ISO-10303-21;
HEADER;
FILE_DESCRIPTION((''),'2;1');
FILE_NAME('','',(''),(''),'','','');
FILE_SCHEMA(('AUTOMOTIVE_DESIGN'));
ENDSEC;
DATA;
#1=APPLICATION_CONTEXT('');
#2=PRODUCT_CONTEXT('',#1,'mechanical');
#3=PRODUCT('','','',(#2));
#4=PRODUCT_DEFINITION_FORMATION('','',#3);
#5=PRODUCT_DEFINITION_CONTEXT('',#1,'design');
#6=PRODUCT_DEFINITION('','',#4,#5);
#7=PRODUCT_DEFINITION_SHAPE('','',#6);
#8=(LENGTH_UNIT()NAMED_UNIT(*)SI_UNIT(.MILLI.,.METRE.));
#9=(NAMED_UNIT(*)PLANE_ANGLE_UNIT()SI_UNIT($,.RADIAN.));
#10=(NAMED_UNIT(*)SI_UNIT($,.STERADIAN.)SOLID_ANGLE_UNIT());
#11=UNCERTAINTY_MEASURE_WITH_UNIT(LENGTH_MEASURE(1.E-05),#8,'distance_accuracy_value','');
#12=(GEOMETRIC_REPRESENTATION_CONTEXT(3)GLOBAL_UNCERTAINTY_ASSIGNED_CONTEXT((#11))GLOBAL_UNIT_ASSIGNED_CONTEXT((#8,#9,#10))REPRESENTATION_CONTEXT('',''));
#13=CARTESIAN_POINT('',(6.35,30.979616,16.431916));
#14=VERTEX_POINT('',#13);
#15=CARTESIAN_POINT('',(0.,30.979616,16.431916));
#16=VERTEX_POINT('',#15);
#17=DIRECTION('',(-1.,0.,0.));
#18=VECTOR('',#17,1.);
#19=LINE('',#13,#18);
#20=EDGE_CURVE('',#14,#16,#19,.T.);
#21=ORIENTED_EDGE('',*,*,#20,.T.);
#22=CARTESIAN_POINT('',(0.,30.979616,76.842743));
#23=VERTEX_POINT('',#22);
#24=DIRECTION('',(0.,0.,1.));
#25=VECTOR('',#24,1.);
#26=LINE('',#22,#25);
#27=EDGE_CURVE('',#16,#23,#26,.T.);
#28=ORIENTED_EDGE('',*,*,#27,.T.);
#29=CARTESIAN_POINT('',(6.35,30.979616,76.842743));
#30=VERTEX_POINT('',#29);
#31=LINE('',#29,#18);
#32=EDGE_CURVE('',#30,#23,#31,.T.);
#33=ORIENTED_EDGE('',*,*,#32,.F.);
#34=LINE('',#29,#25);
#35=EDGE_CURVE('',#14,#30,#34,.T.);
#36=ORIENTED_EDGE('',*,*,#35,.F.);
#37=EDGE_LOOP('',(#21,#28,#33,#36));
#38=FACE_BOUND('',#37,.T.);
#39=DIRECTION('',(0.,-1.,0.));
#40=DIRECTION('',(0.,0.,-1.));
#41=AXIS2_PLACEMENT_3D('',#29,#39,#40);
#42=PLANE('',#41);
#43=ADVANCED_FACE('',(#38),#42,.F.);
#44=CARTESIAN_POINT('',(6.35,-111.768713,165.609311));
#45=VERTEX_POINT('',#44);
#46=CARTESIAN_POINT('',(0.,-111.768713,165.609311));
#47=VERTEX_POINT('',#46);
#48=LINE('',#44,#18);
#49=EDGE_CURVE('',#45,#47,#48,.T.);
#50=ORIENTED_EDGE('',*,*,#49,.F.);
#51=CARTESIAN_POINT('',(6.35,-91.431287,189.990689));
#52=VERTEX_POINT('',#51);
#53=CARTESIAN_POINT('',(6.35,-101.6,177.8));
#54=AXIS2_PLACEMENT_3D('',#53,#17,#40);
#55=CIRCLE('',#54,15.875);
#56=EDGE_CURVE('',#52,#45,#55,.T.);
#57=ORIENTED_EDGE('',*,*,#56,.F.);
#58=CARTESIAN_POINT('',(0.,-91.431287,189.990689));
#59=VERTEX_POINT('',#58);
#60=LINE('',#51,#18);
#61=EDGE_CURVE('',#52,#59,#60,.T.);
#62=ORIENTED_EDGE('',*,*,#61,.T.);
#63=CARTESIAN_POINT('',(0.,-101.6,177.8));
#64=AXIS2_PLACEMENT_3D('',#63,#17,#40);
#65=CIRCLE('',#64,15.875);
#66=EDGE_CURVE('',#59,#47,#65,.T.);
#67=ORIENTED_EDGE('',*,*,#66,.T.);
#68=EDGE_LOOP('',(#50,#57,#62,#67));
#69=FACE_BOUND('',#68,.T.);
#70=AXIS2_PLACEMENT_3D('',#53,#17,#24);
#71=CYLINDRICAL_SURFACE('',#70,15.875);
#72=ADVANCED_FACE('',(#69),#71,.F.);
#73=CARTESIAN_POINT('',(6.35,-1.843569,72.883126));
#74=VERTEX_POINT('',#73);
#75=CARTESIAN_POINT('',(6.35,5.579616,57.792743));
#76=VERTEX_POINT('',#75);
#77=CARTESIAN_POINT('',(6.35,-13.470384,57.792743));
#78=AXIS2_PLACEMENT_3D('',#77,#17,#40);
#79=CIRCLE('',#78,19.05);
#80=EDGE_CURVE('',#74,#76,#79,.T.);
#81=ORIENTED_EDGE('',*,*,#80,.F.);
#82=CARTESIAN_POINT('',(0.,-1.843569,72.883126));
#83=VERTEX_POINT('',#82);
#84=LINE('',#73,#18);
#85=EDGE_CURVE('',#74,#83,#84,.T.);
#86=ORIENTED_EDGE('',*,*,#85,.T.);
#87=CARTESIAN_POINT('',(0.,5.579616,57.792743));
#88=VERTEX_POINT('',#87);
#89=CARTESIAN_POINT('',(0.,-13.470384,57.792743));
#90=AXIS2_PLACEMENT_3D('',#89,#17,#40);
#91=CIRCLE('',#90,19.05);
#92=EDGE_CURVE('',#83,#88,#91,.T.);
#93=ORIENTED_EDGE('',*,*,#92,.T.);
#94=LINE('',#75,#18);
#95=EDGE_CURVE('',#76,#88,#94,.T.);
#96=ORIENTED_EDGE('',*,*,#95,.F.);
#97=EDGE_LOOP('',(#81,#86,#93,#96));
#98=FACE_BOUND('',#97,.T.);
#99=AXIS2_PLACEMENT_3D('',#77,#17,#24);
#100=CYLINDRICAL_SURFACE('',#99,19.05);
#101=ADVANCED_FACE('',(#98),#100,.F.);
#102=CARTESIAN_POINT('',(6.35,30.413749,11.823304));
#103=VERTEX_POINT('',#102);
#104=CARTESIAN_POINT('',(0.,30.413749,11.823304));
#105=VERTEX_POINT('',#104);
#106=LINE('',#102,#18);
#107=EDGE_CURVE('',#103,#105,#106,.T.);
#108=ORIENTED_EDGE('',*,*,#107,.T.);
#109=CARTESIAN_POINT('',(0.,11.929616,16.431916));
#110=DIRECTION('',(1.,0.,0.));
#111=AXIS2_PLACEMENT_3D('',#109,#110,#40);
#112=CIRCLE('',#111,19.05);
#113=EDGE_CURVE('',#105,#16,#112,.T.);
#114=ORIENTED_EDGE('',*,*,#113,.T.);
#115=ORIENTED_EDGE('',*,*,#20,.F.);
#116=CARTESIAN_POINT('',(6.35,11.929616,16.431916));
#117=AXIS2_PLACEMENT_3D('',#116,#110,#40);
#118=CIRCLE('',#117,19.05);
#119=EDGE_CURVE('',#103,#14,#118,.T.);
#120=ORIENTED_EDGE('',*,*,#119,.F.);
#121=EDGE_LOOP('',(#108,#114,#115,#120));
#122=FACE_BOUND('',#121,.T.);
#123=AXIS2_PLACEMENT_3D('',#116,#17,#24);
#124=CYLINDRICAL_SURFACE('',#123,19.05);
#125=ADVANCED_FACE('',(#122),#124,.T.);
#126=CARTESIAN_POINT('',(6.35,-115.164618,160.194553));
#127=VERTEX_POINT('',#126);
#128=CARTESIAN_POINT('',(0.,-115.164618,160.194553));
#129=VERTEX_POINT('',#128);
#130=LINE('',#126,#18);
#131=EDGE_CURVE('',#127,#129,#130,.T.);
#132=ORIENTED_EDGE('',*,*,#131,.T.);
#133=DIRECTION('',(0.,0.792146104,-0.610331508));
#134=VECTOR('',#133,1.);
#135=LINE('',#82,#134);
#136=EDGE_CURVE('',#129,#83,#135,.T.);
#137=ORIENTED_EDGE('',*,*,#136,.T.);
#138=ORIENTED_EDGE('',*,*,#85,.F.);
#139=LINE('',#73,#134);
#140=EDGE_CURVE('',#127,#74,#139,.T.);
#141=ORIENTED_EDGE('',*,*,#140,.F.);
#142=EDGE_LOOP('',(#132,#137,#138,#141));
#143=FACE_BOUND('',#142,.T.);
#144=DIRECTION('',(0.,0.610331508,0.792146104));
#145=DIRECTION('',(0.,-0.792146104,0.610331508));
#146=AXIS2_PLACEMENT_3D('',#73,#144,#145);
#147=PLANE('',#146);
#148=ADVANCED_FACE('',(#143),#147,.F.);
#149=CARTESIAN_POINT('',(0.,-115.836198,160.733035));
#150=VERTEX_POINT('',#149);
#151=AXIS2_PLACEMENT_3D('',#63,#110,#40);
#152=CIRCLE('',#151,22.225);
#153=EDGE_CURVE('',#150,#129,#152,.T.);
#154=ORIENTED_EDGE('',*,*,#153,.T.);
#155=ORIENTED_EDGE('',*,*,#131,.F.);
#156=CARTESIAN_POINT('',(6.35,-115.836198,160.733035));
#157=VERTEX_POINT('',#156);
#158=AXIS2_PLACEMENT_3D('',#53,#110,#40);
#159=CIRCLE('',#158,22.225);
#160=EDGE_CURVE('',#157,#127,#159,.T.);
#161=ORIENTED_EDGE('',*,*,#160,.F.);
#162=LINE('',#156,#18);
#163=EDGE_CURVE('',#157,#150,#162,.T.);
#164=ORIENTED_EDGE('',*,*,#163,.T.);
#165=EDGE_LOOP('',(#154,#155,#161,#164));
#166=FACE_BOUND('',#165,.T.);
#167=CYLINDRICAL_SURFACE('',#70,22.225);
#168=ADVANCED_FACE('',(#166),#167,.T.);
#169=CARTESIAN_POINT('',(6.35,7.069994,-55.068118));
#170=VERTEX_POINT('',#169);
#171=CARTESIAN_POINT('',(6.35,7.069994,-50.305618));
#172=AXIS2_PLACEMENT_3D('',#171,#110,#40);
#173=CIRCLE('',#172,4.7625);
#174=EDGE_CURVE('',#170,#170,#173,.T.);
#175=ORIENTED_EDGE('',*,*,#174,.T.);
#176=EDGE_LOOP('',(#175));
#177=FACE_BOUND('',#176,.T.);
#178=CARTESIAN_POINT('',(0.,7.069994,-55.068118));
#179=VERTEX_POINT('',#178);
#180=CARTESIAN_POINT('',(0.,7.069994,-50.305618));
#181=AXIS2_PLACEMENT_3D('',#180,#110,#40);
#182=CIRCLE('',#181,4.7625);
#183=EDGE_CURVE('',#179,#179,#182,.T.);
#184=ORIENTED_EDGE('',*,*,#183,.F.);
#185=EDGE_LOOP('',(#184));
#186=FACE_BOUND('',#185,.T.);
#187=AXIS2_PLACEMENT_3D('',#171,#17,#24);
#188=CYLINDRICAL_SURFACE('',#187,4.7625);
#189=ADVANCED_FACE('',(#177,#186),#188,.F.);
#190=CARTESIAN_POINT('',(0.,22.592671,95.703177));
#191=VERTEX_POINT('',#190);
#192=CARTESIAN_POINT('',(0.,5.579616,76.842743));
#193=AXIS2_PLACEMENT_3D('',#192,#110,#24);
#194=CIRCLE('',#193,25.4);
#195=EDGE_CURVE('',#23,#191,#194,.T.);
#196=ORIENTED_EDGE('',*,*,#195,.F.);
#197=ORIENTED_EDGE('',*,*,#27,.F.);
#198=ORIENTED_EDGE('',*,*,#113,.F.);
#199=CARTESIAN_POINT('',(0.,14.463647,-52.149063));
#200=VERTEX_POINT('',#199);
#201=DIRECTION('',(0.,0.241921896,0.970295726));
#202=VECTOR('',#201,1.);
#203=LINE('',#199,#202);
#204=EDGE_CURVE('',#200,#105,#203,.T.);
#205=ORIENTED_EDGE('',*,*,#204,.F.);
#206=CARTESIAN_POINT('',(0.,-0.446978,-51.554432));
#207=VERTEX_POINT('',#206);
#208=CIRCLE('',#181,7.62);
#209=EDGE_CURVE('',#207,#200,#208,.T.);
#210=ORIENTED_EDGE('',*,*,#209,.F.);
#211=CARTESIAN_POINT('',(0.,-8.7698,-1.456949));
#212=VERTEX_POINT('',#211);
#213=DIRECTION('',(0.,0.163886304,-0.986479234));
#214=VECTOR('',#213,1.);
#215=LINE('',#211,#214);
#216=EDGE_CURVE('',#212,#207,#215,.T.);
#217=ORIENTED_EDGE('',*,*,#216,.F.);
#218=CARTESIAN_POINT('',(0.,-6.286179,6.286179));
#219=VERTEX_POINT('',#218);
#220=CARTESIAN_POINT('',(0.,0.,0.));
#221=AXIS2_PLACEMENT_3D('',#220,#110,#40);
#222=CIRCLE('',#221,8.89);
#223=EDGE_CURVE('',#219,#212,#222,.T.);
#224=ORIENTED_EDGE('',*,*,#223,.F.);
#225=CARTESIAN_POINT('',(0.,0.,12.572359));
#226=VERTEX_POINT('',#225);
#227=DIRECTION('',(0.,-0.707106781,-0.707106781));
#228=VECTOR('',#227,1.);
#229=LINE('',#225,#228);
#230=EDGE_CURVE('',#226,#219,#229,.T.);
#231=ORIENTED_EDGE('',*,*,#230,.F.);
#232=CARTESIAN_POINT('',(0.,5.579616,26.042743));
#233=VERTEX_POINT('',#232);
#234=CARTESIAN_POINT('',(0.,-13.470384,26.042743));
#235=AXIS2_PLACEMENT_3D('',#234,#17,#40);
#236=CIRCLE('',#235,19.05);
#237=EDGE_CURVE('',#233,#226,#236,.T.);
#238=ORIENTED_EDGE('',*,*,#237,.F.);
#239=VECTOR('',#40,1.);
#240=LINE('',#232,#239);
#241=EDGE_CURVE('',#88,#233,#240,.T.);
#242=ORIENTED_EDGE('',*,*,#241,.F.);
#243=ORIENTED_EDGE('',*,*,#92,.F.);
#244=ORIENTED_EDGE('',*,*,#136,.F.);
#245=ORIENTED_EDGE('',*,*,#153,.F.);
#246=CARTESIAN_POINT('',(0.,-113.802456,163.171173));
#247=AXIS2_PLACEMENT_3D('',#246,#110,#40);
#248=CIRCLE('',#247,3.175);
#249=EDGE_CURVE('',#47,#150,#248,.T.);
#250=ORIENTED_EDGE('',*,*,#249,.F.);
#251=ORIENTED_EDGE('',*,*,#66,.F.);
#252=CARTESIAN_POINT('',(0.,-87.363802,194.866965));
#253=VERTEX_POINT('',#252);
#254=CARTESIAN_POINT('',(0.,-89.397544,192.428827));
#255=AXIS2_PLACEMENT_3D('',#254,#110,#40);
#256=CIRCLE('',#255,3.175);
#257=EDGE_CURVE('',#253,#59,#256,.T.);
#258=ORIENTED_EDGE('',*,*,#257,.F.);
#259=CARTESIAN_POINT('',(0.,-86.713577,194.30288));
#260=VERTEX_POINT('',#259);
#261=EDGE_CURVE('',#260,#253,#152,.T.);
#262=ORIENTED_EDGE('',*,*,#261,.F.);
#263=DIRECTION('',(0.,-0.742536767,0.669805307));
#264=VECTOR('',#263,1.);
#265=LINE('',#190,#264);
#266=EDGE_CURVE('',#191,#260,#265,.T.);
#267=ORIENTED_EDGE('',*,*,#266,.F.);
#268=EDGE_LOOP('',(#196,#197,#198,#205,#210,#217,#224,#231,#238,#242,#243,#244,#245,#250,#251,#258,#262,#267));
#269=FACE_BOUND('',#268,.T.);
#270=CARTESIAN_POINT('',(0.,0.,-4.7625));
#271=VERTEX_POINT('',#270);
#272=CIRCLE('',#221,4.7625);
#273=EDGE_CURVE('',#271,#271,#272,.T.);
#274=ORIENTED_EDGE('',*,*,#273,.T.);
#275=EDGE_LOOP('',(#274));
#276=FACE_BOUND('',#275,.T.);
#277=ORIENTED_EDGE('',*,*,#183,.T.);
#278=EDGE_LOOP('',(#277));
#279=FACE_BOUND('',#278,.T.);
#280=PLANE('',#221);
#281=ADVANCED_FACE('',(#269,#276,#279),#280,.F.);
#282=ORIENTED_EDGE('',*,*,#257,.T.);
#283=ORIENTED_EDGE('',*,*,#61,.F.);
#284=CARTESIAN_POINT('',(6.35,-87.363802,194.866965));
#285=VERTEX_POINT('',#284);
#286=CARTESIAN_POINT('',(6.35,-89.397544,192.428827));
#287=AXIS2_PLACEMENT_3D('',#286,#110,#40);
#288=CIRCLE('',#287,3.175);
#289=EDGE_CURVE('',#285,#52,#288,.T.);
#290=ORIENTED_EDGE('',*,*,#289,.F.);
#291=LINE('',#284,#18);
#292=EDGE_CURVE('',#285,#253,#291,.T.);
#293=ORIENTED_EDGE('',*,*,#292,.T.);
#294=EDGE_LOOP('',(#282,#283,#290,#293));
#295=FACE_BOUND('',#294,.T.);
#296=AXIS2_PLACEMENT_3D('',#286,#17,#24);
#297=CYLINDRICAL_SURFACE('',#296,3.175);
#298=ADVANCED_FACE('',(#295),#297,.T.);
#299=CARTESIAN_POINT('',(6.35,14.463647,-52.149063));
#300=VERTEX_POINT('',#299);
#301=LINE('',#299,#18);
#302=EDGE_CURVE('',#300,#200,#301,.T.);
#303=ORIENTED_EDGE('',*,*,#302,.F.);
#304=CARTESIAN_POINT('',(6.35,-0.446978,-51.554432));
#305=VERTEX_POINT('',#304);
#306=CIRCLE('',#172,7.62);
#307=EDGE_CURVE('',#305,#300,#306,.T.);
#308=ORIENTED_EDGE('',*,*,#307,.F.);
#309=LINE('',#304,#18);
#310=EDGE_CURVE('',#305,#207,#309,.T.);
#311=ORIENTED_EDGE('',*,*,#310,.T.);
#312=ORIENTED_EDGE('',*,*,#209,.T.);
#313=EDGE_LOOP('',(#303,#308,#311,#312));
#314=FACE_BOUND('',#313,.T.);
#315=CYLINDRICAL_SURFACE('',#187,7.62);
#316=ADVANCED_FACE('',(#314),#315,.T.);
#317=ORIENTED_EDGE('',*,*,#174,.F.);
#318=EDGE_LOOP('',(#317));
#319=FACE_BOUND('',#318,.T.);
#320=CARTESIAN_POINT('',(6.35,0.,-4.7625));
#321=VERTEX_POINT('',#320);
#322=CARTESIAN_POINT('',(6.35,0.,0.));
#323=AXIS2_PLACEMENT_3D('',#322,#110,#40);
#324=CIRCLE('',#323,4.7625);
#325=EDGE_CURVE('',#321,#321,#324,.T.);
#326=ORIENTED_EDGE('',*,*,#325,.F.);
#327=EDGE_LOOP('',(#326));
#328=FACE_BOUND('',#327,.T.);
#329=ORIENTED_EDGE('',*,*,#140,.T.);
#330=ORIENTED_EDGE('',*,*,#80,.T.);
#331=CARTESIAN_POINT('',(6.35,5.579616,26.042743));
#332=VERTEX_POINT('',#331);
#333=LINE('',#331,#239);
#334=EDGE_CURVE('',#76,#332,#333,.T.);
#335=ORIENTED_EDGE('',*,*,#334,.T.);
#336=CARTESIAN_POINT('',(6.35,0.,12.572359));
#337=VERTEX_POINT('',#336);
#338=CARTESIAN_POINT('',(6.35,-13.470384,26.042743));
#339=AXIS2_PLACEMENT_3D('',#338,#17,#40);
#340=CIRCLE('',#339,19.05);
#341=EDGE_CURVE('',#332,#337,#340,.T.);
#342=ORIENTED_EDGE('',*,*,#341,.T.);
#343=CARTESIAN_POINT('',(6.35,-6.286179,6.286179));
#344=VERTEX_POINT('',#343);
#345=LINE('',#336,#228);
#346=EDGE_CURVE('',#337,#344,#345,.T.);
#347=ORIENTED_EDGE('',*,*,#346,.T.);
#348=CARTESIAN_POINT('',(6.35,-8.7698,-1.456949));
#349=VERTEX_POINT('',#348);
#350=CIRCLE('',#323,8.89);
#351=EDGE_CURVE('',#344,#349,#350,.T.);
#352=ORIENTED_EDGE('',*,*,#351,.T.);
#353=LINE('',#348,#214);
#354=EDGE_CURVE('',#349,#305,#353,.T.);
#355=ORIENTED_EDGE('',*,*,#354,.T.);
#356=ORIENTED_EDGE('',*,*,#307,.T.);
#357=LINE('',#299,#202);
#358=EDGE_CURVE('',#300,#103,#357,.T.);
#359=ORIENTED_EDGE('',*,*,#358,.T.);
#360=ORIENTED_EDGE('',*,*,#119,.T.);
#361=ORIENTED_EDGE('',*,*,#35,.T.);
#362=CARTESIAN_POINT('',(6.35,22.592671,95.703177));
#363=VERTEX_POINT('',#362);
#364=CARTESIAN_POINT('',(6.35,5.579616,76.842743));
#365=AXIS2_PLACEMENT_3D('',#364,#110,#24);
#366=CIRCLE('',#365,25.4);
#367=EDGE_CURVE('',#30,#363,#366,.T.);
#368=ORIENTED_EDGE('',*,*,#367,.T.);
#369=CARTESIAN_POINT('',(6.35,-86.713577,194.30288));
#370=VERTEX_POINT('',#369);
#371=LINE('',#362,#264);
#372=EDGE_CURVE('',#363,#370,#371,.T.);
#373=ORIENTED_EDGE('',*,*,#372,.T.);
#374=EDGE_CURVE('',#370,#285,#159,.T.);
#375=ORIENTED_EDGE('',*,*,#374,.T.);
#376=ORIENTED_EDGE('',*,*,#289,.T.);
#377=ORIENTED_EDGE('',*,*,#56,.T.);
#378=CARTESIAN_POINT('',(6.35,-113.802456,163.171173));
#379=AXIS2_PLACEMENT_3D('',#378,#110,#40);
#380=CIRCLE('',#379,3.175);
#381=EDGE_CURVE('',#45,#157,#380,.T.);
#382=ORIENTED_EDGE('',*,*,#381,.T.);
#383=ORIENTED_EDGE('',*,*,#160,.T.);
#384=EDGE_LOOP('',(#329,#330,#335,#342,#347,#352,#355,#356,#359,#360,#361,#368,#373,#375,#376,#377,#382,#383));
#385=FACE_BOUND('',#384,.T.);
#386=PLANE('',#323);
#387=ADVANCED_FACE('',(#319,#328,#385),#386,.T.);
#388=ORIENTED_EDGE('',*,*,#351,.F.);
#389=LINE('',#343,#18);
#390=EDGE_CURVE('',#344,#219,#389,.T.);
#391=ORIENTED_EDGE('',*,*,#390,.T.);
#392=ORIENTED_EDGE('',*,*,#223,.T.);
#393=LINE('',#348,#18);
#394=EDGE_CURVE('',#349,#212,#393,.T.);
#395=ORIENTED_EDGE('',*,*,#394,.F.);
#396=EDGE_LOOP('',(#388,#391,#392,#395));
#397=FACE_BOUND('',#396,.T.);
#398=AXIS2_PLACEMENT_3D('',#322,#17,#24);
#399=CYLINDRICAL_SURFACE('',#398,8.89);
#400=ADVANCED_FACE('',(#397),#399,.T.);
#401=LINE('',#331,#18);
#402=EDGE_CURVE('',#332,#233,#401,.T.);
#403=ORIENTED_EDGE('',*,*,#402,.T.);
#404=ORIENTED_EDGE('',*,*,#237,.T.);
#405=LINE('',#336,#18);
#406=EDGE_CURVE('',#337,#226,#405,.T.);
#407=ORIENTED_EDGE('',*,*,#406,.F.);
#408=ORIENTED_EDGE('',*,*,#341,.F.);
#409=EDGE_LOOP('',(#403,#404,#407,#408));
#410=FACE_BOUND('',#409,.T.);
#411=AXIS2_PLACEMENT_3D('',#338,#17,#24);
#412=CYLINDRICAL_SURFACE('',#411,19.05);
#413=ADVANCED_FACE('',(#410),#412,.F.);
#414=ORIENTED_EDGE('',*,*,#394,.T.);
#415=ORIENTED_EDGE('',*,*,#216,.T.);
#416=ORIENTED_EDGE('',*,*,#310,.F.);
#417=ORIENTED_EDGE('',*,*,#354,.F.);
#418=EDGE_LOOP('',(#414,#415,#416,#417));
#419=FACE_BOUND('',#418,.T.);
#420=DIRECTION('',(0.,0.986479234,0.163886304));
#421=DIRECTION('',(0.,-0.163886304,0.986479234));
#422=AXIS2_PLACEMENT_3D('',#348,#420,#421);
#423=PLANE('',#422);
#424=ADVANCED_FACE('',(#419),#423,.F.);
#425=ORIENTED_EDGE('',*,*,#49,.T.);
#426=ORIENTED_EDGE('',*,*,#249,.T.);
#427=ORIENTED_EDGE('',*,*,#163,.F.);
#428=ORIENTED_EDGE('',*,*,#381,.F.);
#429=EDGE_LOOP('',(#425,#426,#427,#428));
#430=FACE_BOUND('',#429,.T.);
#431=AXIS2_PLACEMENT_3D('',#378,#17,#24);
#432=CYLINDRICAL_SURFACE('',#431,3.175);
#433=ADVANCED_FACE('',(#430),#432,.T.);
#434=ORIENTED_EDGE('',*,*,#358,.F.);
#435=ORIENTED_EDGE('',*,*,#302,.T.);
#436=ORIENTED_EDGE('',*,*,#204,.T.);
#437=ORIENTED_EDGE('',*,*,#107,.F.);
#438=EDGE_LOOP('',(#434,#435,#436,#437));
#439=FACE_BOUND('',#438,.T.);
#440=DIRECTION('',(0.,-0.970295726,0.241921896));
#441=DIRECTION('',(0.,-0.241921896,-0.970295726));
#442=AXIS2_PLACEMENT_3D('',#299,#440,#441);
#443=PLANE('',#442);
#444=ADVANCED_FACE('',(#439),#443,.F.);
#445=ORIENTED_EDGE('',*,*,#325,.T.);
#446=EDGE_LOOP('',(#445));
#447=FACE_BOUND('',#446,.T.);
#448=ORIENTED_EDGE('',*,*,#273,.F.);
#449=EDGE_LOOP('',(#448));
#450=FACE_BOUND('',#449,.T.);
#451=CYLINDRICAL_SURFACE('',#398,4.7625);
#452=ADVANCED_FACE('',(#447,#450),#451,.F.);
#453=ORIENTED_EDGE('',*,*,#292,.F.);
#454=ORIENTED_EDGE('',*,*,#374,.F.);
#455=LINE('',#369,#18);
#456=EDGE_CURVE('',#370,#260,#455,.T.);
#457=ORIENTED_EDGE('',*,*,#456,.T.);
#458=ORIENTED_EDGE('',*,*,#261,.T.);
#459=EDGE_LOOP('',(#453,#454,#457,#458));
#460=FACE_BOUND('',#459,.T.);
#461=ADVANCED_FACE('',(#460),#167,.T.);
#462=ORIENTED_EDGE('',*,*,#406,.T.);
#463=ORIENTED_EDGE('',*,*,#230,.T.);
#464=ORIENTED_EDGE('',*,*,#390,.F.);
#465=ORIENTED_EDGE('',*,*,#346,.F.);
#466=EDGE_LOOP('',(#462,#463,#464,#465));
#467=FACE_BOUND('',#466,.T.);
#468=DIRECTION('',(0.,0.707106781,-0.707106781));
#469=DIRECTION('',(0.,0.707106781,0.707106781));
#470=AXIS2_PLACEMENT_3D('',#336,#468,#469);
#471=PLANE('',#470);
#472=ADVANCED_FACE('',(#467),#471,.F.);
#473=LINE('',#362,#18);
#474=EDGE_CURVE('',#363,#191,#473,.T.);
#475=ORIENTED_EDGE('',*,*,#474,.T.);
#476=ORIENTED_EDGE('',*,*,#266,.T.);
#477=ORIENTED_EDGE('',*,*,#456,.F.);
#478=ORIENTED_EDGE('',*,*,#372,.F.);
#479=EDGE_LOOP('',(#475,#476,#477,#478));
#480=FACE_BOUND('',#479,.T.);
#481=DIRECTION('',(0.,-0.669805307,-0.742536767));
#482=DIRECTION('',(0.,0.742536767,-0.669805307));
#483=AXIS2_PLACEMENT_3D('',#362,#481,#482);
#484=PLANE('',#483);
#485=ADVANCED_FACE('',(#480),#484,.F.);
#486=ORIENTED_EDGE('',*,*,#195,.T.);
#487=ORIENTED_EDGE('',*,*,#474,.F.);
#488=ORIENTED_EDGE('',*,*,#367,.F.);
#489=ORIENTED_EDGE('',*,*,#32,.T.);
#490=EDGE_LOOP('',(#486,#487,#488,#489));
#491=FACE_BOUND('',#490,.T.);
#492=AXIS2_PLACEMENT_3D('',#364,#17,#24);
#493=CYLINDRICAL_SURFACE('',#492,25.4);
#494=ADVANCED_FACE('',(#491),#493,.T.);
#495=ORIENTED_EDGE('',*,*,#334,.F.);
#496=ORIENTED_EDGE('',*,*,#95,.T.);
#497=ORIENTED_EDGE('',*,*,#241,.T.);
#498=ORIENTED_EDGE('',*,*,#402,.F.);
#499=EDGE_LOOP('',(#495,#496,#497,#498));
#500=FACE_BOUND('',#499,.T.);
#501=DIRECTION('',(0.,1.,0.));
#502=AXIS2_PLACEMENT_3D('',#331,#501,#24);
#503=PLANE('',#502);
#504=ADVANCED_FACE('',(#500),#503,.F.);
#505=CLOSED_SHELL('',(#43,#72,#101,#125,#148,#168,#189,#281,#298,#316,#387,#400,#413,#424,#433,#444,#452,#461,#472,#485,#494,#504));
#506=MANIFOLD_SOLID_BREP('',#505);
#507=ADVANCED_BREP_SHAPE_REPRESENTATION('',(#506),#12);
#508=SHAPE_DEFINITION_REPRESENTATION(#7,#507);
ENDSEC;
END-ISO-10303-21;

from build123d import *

# Parameters (mm, degrees)
SKETCH1_R           = 4.7625
BOSS_EXTRUDE1_DEPTH = 6.35


with BuildPart() as part:
    # Sketch1 → Boss-Extrude1 (new body)
    with BuildSketch(Plane(origin=(0, 0, 0), x_dir=(0, 0, -1), z_dir=(1, 0, 0))):
        with BuildLine():
            Line((1.456949245, -8.769800391), (51.554431531, -0.446978235))
            ThreePointArc((51.554431531, -0.446978235), (57.919565723, 6.766351601), (52.149062737, 14.463646963))
            Line((52.149062737, 14.463646963), (-11.823304022, 30.413749404))
            ThreePointArc((-11.823304022, 30.413749404), (-14.110305141, 30.837620007), (-16.431916133, 30.979615818))
            Line((-16.431916133, 30.979615818), (-76.842742751, 30.979615818))
            ThreePointArc((-76.842742751, 30.979615818), (-87.163314642, 28.788359771), (-95.703176645, 22.59267061))
            Line((-95.703176645, 22.59267061), (-194.302879657, -86.713577057))
            ThreePointArc((-194.302879657, -86.713577057), (-194.588070452, -87.035958133), (-194.866964637, -87.363801663))
            ThreePointArc((-194.866964637, -87.363801663), (-194.462569451, -91.835682088), (-189.990689026, -91.431286902))
            ThreePointArc((-189.990689026, -91.431286902), (-167.631286902, -89.409310974), (-165.609310974, -111.768713098))
            ThreePointArc((-165.609310974, -111.768713098), (-165.204915788, -116.240593522), (-160.733035363, -115.836198337))
            ThreePointArc((-160.733035363, -115.836198337), (-160.46054239, -115.503015314), (-160.194552833, -115.164617763))
            Line((-160.194552833, -115.164617763), (-72.883126037, -1.843568956))
            ThreePointArc((-72.883126037, -1.843568956), (-66.201418924, 3.623376815), (-57.792742751, 5.579615818))
            Line((-57.792742751, 5.579615818), (-26.042742751, 5.579615818))
            ThreePointArc((-26.042742751, 5.579615818), (-18.752623365, 4.129520913), (-12.572358569, 0))
            Line((-12.572358569, 0), (-6.286179285, -6.286179285))
            ThreePointArc((-6.286179285, -6.286179285), (-2.715227273, -8.465201761), (1.456949245, -8.769800391))
        make_face()
        Circle(SKETCH1_R, mode=Mode.SUBTRACT)
        with Locations((50.305617892, 7.069993529)):
            Circle(SKETCH1_R, mode=Mode.SUBTRACT)
    extrude(amount=BOSS_EXTRUDE1_DEPTH)


solid = part.part
